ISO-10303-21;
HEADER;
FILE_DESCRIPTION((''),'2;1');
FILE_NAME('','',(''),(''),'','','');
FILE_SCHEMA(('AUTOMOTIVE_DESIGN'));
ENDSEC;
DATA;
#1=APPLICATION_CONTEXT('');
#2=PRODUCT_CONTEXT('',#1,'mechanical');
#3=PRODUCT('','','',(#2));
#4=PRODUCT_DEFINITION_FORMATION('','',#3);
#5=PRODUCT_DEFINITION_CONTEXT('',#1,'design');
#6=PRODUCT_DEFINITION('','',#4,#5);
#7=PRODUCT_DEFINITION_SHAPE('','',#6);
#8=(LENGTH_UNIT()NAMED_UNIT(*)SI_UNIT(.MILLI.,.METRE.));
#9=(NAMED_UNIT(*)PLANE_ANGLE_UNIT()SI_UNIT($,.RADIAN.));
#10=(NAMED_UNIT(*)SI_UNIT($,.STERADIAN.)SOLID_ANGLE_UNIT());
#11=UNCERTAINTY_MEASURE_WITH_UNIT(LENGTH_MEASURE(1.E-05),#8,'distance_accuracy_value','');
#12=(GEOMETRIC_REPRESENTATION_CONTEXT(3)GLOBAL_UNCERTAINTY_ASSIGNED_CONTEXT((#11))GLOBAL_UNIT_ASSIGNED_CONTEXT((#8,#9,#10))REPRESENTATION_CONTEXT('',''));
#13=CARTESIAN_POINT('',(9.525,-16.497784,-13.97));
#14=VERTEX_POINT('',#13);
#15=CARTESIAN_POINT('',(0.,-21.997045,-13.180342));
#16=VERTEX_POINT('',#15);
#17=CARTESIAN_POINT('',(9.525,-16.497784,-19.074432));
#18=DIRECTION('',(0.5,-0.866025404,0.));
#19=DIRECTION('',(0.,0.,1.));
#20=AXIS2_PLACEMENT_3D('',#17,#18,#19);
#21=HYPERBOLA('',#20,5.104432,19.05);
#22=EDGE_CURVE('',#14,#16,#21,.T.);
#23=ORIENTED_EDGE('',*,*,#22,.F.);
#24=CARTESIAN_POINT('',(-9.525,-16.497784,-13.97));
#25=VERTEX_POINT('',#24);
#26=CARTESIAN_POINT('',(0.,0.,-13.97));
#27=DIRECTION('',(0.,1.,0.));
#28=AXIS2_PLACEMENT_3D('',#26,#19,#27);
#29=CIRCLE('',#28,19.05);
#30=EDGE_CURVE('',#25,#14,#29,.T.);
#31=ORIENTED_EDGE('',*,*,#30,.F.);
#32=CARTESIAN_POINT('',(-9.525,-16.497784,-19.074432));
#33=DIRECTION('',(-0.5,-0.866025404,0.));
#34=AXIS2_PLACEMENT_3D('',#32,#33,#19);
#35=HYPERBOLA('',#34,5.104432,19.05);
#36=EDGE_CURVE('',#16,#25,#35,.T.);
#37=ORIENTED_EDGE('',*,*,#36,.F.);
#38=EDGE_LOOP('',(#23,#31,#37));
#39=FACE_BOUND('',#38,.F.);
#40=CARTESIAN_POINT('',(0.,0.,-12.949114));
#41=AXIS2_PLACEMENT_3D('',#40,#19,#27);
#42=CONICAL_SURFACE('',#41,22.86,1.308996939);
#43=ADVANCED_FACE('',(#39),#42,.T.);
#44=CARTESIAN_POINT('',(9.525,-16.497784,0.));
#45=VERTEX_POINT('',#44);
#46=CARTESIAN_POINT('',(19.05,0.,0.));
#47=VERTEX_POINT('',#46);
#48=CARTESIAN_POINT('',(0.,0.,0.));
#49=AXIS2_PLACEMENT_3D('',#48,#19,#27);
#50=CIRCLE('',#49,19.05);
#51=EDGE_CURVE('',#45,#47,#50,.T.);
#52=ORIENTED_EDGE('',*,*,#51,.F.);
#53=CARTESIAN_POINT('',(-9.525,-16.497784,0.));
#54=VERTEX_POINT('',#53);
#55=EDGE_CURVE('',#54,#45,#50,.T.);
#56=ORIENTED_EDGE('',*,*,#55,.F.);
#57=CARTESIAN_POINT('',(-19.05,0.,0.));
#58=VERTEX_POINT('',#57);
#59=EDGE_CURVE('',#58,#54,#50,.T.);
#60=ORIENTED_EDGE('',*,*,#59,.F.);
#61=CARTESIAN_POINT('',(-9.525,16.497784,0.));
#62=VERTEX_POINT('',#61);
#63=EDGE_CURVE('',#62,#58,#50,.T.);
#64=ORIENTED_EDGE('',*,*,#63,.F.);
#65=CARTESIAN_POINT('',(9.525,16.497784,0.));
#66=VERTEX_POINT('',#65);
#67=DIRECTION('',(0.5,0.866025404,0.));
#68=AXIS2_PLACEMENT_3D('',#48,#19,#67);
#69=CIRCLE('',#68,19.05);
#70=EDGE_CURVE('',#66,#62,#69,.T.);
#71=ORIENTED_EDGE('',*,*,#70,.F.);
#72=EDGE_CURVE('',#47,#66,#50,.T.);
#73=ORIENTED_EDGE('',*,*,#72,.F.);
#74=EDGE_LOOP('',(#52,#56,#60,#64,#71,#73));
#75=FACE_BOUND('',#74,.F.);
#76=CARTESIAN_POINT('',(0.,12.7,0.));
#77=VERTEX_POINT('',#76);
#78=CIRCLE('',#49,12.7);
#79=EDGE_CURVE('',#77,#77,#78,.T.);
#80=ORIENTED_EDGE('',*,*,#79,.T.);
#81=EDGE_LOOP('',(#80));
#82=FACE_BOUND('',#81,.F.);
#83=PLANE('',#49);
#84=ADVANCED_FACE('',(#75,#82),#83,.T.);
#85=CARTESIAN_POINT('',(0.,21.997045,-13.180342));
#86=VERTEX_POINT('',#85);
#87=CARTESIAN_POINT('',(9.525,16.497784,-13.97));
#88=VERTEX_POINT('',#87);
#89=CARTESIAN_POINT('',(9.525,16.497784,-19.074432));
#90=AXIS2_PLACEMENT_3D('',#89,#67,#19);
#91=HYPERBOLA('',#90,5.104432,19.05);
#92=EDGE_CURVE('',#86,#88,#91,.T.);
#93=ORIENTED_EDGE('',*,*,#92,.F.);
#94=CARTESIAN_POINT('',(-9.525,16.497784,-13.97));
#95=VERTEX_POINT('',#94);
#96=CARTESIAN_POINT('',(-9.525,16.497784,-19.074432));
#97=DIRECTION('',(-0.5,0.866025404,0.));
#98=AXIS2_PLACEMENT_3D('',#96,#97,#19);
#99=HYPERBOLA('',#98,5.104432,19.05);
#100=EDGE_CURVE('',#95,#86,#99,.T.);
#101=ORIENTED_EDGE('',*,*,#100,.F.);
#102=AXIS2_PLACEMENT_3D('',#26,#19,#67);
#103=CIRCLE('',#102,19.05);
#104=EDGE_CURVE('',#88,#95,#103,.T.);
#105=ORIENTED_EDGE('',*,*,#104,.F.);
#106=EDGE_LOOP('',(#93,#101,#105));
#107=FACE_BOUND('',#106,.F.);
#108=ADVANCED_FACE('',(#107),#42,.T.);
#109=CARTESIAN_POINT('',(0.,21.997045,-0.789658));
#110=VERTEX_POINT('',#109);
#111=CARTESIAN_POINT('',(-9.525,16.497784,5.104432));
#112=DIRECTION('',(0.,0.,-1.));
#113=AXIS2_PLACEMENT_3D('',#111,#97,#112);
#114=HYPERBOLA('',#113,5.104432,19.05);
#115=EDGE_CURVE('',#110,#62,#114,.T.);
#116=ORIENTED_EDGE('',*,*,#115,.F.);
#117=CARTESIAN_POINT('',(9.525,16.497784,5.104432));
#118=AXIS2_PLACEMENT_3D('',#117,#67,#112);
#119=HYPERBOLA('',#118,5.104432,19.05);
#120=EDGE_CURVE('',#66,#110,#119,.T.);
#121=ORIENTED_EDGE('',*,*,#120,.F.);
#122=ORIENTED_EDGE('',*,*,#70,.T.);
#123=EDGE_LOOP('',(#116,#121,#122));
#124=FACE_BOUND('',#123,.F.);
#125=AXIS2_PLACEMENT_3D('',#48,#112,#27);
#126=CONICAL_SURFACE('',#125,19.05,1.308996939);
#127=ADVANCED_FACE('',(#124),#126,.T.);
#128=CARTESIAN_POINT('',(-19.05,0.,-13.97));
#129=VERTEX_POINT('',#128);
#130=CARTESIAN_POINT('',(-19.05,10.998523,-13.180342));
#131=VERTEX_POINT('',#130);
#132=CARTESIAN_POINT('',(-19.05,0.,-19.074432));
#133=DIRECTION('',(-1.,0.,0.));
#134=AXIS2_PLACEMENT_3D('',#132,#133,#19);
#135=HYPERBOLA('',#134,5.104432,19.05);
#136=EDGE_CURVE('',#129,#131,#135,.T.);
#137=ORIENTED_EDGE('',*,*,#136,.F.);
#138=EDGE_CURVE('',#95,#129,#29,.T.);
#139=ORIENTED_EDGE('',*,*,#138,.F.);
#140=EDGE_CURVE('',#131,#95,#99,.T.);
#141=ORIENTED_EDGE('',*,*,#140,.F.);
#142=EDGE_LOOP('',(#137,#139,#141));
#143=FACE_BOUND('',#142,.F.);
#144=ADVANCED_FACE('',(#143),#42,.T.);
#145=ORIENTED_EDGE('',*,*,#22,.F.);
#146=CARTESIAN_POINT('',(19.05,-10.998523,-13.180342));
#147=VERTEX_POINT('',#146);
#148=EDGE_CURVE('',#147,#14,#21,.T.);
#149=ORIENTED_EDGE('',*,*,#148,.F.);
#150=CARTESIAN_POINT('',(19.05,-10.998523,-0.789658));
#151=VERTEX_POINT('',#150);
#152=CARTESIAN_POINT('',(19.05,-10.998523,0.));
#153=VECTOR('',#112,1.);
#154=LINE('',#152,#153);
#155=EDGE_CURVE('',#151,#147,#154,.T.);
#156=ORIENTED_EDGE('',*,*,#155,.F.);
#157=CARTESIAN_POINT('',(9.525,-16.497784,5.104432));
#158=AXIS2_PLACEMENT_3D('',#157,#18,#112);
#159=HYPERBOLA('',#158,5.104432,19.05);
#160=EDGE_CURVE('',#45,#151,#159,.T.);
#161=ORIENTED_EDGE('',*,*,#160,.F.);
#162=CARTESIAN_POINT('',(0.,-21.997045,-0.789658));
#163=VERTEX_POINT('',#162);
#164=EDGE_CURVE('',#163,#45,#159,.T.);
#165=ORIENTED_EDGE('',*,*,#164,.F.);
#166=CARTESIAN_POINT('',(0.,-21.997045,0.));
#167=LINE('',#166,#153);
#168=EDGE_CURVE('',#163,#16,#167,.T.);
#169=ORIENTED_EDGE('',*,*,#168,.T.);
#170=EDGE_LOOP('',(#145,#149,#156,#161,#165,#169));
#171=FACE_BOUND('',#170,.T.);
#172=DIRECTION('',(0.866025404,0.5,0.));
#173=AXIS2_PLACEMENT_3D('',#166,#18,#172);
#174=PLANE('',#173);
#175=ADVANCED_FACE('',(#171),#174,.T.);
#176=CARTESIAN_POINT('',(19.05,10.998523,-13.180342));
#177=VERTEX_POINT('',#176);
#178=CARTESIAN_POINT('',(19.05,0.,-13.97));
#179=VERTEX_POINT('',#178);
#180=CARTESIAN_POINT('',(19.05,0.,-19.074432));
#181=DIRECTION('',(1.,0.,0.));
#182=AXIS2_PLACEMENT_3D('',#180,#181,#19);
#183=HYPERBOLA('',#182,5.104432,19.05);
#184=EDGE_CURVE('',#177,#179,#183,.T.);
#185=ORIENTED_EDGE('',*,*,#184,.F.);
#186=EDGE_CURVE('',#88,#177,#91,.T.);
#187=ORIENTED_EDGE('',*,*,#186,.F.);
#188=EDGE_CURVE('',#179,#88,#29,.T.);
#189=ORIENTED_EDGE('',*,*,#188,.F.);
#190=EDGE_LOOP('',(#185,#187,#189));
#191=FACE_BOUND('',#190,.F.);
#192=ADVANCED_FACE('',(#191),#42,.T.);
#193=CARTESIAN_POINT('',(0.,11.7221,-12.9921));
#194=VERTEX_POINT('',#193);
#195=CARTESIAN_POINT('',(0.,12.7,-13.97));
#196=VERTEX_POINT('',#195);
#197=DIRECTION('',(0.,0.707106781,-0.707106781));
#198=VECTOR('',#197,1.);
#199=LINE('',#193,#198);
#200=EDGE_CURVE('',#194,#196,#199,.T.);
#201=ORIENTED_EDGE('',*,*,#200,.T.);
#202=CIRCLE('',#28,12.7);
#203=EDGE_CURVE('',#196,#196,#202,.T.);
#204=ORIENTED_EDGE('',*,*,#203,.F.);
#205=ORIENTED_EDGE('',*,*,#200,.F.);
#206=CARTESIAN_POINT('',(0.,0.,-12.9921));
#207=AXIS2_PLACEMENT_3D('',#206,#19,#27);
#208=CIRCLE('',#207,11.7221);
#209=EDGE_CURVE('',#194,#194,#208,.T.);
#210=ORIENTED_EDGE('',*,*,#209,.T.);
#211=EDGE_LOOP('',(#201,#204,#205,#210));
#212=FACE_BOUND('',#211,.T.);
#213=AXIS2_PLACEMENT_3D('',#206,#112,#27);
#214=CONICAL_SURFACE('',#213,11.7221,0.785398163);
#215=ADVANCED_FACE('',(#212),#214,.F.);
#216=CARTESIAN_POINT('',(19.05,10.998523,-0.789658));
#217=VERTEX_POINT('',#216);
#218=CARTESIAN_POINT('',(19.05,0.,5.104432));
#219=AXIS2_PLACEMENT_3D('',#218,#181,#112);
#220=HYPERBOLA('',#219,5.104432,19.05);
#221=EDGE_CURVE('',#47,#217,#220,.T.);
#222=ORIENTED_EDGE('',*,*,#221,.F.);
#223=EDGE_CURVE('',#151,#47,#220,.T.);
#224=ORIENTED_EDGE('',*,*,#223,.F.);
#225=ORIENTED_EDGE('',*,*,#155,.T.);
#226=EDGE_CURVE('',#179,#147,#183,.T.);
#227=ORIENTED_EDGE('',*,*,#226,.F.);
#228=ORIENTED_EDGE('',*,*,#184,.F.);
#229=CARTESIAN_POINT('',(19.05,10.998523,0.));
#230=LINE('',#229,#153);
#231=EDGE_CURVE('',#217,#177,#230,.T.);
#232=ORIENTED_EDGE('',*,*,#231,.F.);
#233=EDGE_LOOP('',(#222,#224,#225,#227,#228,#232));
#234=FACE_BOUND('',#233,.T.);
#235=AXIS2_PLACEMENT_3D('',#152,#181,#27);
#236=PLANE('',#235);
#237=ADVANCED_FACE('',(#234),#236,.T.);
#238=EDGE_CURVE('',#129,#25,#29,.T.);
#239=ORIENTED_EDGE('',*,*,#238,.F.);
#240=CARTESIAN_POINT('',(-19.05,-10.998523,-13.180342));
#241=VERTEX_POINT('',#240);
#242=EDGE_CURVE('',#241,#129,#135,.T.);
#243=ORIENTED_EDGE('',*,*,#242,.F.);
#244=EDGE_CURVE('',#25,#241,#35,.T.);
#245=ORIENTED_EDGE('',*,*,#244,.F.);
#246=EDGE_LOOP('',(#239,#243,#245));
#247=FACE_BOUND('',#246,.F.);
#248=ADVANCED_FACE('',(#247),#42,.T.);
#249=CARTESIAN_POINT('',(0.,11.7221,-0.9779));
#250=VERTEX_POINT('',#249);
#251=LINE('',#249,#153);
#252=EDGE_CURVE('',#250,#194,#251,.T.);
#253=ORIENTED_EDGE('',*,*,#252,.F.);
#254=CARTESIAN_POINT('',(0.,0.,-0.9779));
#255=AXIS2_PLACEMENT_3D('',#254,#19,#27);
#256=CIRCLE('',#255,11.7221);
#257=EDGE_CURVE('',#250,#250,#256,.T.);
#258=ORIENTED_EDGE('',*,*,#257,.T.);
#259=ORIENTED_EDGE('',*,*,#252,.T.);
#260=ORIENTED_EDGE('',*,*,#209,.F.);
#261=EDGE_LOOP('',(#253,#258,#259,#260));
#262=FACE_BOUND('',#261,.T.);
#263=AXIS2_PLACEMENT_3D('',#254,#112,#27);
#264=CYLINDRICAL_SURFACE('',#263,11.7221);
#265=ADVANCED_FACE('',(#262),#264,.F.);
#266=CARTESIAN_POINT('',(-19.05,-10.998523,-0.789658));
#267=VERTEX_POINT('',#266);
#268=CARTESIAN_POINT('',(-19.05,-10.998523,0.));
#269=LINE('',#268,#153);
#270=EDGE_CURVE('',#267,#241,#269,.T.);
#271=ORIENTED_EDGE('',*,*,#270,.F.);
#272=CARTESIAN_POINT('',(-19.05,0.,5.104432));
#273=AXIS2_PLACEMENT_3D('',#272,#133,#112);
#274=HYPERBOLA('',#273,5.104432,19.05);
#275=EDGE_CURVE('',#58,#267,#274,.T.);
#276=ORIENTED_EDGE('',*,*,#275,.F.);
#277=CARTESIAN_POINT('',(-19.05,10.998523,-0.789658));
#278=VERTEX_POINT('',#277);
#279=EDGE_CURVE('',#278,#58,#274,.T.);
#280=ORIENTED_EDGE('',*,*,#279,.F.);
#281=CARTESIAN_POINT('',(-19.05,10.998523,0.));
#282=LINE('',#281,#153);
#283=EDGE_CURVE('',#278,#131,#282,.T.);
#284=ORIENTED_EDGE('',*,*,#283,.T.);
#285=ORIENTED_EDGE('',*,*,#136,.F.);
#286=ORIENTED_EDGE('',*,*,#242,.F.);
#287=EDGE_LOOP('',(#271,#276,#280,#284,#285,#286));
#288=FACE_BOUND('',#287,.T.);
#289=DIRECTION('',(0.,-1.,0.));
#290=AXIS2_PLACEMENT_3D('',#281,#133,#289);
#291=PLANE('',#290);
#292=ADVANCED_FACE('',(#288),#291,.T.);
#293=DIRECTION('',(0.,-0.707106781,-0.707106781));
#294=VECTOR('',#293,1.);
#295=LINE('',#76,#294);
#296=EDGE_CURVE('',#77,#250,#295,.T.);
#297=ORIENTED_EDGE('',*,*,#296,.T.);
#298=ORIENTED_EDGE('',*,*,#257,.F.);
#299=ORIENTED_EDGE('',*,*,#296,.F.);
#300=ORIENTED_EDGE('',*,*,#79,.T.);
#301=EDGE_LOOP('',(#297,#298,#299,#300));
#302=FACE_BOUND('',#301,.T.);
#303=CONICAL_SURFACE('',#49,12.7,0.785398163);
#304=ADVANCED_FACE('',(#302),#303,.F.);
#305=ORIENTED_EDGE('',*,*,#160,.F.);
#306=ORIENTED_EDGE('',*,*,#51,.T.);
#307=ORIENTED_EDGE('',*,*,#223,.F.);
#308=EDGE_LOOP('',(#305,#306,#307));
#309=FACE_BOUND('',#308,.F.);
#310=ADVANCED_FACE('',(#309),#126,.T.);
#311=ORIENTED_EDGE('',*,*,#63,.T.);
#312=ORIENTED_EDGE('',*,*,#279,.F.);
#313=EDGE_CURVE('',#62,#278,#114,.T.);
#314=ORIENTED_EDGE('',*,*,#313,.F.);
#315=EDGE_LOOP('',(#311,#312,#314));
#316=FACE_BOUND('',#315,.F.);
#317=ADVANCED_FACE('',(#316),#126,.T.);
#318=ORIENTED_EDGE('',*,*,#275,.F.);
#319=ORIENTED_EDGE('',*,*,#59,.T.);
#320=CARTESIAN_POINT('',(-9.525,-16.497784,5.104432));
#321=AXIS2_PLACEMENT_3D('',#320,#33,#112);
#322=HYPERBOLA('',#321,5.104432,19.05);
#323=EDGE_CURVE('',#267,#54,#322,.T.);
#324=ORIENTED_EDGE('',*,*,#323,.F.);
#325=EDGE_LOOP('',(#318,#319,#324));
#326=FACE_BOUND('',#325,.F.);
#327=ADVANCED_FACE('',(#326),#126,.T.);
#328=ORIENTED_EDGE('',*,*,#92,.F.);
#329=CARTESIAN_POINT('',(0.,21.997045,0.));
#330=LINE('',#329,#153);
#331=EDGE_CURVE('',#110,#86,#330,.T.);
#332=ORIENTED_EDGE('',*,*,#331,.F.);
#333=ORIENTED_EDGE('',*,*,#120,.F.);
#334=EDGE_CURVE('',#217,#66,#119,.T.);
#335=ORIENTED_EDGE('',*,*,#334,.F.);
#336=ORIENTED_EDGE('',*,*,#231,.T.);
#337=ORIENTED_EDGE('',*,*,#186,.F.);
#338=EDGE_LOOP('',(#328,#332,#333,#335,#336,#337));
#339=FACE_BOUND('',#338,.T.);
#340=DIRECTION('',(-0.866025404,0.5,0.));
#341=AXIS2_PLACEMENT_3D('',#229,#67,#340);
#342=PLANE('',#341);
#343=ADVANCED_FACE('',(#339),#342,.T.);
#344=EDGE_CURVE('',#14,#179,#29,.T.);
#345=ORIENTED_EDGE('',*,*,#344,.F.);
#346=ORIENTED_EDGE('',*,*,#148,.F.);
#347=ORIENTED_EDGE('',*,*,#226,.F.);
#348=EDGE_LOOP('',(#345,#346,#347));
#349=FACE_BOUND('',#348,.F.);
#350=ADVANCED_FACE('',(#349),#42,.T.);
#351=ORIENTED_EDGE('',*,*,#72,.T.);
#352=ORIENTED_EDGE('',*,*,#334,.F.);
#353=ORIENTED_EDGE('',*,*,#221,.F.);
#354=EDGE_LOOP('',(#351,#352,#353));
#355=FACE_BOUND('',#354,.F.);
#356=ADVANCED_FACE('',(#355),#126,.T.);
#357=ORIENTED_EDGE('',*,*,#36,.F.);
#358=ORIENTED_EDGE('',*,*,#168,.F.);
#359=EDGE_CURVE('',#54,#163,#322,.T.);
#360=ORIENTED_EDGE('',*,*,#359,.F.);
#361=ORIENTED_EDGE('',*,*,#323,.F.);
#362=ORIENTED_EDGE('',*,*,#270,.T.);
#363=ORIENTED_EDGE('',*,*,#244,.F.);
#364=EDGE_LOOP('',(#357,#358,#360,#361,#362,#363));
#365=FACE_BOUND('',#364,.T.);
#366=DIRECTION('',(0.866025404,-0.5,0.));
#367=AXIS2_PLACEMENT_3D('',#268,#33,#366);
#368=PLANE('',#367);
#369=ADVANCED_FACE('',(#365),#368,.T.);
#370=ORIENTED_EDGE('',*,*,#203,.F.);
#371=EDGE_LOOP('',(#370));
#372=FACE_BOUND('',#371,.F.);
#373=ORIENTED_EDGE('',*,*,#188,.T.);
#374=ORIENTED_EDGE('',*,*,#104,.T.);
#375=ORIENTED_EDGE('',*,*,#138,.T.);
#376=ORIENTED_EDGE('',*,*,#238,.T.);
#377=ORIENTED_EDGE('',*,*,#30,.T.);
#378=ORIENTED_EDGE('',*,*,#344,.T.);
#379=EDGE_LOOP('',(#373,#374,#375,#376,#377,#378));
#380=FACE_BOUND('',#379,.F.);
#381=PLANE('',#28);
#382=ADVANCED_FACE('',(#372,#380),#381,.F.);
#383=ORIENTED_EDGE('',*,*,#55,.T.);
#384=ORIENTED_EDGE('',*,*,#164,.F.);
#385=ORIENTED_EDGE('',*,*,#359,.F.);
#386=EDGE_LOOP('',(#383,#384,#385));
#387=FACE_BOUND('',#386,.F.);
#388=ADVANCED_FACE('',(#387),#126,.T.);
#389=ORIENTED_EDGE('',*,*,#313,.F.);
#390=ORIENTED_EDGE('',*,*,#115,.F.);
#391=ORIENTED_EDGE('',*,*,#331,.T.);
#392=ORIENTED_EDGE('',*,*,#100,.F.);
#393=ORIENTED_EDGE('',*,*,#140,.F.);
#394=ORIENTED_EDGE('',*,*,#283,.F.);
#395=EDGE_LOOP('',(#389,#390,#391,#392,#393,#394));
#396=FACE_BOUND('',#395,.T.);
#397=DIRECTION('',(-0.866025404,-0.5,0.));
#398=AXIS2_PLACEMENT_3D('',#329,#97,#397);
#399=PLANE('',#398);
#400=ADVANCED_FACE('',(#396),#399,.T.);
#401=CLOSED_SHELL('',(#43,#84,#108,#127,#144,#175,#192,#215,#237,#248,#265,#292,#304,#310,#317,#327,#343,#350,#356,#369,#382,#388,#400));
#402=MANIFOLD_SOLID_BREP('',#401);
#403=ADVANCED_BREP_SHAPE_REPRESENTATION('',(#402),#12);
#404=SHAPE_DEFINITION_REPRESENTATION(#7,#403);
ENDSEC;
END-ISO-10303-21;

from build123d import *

# Parameters (mm, degrees)
SKETCH2_W          = 76.2
SKETCH2_H          = 76.2
CUT_EXTRUDE1_DEPTH = 13.97


with BuildPart() as part:
    # Sketch1 → Revolve1 (revolve)
    with BuildSketch(Plane(origin=(0, 0, 0), x_dir=(0, 0, -1), z_dir=(1, 0, 0))):
        Polygon((0, 0), (0, 19.05), (1.020886423, 22.86), (12.949113577, 22.86), (13.97, 19.05), (13.97, 0), align=None)
    revolve(axis=Axis((0, 0, -13.97), (0, 0, 1)))

    # Sketch2 → Cut-Extrude1 (cut)
    with BuildSketch(Plane.XY):
        Rectangle(SKETCH2_W, SKETCH2_H)
        Polygon((-19.05, 10.998522628), (-19.05, -10.998522628), (0, -21.997045256), (19.05, -10.998522628), (19.05, 10.998522628), (0, 21.997045256), align=None, mode=Mode.SUBTRACT)
    extrude(amount=-CUT_EXTRUDE1_DEPTH, mode=Mode.SUBTRACT)

    # Sketch3 → Cut-Revolve1 (revolve, cut)
    with BuildSketch(Plane(origin=(0, 0, 0), x_dir=(0, 0, -1), z_dir=(1, 0, 0))):
        Polygon((0, 0), (0, 12.7), (0.9779, 11.7221), (12.9921, 11.7221), (13.97, 12.7), (13.97, 0), align=None)
    revolve(axis=Axis((0, 0, -13.97), (0, 0, 1)), mode=Mode.SUBTRACT)


solid = part.part
